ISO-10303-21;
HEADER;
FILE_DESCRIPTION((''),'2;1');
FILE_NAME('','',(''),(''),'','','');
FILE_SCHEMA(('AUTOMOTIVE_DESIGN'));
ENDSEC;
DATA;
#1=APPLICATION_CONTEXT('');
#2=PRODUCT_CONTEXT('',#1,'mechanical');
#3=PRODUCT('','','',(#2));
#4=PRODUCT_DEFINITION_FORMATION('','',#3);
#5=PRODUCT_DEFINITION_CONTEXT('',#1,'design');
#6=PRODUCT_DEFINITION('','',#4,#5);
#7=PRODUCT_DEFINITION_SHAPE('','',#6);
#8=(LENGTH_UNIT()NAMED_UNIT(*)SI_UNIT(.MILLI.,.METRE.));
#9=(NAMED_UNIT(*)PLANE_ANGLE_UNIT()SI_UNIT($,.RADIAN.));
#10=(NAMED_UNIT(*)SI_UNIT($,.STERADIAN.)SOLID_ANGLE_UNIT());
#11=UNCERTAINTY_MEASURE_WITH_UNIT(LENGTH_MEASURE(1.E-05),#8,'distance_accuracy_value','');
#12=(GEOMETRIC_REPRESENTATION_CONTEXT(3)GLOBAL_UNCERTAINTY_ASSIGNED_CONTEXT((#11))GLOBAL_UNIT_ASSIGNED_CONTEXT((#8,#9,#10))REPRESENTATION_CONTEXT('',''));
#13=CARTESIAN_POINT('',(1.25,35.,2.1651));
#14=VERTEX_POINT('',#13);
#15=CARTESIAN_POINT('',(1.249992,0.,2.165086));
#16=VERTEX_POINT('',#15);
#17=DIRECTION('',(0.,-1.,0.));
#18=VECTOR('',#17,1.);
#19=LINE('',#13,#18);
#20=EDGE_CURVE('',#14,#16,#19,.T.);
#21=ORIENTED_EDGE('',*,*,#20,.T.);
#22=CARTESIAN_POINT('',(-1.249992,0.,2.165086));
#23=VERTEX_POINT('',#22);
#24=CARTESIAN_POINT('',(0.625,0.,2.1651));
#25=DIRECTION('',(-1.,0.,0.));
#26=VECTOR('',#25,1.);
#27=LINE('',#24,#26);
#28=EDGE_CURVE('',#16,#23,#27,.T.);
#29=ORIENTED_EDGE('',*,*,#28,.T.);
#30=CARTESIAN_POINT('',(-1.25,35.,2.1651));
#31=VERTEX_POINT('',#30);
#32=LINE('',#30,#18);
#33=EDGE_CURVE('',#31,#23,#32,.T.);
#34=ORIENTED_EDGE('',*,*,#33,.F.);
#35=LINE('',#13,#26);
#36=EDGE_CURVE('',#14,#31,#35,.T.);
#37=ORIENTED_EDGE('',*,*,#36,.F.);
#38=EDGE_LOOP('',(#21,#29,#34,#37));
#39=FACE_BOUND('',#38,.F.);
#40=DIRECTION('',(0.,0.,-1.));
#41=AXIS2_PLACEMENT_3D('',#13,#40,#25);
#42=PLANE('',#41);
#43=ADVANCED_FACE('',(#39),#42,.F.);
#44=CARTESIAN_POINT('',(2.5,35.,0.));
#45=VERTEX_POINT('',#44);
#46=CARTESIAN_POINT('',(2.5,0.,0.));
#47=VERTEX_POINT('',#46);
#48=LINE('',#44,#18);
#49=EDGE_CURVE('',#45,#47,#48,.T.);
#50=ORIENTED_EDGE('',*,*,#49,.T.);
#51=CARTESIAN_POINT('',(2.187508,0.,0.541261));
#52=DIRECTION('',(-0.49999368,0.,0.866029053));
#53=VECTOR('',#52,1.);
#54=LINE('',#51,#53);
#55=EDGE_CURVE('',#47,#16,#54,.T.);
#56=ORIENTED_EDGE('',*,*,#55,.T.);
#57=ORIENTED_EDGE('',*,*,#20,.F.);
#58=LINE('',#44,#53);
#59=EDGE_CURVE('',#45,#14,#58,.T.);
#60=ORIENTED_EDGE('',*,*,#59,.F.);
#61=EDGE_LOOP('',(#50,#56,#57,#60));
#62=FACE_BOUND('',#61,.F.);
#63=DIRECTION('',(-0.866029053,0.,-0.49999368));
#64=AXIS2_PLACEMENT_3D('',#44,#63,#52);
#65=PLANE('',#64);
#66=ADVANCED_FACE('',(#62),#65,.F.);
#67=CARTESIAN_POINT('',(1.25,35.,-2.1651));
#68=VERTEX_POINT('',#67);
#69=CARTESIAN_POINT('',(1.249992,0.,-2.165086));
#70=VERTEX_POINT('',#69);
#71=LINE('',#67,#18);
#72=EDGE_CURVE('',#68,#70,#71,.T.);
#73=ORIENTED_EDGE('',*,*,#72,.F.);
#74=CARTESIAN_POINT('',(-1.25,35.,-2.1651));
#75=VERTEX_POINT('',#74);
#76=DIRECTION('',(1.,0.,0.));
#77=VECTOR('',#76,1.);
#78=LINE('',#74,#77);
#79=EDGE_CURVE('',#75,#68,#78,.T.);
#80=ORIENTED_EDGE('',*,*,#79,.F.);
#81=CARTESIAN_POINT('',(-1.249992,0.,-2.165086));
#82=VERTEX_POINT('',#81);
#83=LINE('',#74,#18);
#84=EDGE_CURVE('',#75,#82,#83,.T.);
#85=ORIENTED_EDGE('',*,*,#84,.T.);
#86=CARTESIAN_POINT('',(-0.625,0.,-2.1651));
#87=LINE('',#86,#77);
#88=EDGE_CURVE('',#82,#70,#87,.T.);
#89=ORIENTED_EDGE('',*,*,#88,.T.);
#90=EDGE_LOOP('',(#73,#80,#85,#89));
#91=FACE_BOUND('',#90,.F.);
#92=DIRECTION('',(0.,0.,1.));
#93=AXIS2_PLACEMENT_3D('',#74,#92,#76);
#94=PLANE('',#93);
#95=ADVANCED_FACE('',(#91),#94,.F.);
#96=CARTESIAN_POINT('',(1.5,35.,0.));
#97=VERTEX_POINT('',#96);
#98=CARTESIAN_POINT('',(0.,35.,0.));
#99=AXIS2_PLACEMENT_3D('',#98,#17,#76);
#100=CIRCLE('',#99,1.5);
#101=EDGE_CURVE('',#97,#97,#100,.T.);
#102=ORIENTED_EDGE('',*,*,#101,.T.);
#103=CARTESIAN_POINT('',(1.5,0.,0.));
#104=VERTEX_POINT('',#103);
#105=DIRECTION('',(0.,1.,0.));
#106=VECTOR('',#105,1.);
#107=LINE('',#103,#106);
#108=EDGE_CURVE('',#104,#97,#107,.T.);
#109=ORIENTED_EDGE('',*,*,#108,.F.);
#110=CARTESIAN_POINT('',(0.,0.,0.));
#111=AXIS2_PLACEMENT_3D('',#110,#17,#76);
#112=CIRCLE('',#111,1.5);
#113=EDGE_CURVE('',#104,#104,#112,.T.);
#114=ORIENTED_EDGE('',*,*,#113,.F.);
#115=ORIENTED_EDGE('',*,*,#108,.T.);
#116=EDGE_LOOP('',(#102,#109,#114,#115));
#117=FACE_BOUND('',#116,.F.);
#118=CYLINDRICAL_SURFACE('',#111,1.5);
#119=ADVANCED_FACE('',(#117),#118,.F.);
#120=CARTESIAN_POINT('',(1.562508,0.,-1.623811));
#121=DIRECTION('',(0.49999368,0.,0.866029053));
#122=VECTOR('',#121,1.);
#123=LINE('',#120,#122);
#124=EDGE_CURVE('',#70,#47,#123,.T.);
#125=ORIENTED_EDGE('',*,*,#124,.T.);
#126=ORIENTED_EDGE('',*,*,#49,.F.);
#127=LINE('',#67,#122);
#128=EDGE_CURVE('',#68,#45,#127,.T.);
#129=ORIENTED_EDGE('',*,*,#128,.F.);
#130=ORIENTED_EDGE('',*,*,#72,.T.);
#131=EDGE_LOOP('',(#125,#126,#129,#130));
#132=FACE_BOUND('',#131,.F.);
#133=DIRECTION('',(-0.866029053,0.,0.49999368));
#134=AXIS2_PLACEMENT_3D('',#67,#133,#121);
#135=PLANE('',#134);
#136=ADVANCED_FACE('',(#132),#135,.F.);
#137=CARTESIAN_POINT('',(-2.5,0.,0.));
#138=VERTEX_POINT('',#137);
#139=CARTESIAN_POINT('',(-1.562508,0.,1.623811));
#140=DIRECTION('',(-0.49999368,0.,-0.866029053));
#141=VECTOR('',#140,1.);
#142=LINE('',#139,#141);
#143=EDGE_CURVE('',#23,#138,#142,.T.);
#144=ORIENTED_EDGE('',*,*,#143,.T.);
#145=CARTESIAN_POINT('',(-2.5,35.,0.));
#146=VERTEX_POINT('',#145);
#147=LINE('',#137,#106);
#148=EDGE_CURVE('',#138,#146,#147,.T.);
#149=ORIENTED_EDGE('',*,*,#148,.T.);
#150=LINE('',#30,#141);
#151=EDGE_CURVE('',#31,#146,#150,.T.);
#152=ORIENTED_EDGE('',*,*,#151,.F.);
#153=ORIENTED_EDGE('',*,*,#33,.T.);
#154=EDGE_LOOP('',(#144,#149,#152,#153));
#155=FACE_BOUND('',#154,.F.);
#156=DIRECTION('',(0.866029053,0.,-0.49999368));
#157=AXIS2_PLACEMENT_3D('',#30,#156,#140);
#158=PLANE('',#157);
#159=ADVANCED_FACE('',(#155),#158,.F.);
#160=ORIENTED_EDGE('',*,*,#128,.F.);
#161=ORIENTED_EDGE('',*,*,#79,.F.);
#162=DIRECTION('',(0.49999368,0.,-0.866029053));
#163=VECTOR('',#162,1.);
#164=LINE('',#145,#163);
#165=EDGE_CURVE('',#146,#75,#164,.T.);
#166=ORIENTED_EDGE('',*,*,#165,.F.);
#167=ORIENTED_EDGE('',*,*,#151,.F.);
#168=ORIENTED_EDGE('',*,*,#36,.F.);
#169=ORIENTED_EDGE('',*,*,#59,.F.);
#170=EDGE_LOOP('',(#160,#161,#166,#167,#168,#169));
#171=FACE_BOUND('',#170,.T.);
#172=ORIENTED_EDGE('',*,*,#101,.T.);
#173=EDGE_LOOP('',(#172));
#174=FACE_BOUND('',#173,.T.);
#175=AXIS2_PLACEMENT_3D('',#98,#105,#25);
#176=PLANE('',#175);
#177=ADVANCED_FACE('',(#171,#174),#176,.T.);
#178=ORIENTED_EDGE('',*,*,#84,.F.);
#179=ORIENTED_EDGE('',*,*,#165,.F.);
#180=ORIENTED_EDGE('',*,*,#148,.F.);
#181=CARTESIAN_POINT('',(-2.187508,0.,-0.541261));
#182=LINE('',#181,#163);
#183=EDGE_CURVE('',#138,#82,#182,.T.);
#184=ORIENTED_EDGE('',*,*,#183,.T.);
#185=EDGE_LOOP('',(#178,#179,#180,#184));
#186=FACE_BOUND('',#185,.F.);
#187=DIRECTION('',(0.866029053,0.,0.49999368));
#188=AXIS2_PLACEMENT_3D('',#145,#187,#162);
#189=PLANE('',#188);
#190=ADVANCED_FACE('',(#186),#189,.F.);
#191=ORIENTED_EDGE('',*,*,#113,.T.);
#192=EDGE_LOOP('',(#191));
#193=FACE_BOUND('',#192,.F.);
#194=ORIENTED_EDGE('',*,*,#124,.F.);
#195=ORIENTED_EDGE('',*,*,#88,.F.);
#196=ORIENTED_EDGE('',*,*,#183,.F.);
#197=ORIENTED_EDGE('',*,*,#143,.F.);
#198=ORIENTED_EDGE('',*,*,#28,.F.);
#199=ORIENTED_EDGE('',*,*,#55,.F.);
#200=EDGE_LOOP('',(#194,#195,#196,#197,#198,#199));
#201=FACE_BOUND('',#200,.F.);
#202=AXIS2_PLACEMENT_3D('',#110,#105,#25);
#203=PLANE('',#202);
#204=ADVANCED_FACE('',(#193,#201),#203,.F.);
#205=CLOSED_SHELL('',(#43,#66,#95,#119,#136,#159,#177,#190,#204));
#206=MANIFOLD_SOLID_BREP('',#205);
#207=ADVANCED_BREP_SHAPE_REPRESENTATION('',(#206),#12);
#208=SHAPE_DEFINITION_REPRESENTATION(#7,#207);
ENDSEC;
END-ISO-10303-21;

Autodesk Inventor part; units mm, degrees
ref_plane "YZ Plane" through (0, 0, 0) normal (1, 0, 0) x (0, 1, 0)
ref_plane "XZ Plane" through (0, 0, 0) normal (0, 1, 0) x (-1, 0, 0)
ref_plane "XY Plane" through (0, 0, 0) normal (0, 0, 1) x (1, 0, 0)
sketch "Эскиз1" plane through (0, 0, 0) normal (0, 1, 0) x (-1, 0, 0)
  circle A0 centre (0, 0) radius 2.5
  dimension "d0" = 5
extrude "Выдавливание1" add sketch "Эскиз1" along normal blind 35
sketch "Эскиз2" plane through (0, 35, 0) normal (0, 1, 0) x (1, 0, 0)
  circle A0 centre (0, 0) radius 2.5 projected
  line L0 (2.5, 0) -> (1.25, -2.1651)
  line L1 (1.25, -2.1651) -> (-1.25, -2.1651)
  line L2 (-1.25, -2.1651) -> (-2.5, 0)
  line L3 (-2.5, 0) -> (-1.25, 2.1651)
  line L4 (-1.25, 2.1651) -> (1.25, 2.1651)
  line L5 (1.25, 2.1651) -> (2.5, 0)
  point P0 (1.25, 2.1651)
  point P1 (1.25, 2.1651)
  point P2 (-2.5, 0)
  point P3 (-2.5, 0)
  point P4 (-1.25, -2.1651)
  point P5 (-1.25, -2.1651)
extrude "Выдавливание2" cut sketch "Эскиз2" against normal through all contours L5 A0 | A0 L0 | L4 A0 | A0 L1 | L3 A0 | A0 L2
sketch "Эскиз3" plane through (0, 0, 0) normal (0, -1, 0) x (1, 0, 0)
  circle A0 centre (0, 0) radius 1.5
  dimension "d5" = 3
extrude "Выдавливание3" cut sketch "Эскиз3" against normal through all
properties part number "Stoics"
